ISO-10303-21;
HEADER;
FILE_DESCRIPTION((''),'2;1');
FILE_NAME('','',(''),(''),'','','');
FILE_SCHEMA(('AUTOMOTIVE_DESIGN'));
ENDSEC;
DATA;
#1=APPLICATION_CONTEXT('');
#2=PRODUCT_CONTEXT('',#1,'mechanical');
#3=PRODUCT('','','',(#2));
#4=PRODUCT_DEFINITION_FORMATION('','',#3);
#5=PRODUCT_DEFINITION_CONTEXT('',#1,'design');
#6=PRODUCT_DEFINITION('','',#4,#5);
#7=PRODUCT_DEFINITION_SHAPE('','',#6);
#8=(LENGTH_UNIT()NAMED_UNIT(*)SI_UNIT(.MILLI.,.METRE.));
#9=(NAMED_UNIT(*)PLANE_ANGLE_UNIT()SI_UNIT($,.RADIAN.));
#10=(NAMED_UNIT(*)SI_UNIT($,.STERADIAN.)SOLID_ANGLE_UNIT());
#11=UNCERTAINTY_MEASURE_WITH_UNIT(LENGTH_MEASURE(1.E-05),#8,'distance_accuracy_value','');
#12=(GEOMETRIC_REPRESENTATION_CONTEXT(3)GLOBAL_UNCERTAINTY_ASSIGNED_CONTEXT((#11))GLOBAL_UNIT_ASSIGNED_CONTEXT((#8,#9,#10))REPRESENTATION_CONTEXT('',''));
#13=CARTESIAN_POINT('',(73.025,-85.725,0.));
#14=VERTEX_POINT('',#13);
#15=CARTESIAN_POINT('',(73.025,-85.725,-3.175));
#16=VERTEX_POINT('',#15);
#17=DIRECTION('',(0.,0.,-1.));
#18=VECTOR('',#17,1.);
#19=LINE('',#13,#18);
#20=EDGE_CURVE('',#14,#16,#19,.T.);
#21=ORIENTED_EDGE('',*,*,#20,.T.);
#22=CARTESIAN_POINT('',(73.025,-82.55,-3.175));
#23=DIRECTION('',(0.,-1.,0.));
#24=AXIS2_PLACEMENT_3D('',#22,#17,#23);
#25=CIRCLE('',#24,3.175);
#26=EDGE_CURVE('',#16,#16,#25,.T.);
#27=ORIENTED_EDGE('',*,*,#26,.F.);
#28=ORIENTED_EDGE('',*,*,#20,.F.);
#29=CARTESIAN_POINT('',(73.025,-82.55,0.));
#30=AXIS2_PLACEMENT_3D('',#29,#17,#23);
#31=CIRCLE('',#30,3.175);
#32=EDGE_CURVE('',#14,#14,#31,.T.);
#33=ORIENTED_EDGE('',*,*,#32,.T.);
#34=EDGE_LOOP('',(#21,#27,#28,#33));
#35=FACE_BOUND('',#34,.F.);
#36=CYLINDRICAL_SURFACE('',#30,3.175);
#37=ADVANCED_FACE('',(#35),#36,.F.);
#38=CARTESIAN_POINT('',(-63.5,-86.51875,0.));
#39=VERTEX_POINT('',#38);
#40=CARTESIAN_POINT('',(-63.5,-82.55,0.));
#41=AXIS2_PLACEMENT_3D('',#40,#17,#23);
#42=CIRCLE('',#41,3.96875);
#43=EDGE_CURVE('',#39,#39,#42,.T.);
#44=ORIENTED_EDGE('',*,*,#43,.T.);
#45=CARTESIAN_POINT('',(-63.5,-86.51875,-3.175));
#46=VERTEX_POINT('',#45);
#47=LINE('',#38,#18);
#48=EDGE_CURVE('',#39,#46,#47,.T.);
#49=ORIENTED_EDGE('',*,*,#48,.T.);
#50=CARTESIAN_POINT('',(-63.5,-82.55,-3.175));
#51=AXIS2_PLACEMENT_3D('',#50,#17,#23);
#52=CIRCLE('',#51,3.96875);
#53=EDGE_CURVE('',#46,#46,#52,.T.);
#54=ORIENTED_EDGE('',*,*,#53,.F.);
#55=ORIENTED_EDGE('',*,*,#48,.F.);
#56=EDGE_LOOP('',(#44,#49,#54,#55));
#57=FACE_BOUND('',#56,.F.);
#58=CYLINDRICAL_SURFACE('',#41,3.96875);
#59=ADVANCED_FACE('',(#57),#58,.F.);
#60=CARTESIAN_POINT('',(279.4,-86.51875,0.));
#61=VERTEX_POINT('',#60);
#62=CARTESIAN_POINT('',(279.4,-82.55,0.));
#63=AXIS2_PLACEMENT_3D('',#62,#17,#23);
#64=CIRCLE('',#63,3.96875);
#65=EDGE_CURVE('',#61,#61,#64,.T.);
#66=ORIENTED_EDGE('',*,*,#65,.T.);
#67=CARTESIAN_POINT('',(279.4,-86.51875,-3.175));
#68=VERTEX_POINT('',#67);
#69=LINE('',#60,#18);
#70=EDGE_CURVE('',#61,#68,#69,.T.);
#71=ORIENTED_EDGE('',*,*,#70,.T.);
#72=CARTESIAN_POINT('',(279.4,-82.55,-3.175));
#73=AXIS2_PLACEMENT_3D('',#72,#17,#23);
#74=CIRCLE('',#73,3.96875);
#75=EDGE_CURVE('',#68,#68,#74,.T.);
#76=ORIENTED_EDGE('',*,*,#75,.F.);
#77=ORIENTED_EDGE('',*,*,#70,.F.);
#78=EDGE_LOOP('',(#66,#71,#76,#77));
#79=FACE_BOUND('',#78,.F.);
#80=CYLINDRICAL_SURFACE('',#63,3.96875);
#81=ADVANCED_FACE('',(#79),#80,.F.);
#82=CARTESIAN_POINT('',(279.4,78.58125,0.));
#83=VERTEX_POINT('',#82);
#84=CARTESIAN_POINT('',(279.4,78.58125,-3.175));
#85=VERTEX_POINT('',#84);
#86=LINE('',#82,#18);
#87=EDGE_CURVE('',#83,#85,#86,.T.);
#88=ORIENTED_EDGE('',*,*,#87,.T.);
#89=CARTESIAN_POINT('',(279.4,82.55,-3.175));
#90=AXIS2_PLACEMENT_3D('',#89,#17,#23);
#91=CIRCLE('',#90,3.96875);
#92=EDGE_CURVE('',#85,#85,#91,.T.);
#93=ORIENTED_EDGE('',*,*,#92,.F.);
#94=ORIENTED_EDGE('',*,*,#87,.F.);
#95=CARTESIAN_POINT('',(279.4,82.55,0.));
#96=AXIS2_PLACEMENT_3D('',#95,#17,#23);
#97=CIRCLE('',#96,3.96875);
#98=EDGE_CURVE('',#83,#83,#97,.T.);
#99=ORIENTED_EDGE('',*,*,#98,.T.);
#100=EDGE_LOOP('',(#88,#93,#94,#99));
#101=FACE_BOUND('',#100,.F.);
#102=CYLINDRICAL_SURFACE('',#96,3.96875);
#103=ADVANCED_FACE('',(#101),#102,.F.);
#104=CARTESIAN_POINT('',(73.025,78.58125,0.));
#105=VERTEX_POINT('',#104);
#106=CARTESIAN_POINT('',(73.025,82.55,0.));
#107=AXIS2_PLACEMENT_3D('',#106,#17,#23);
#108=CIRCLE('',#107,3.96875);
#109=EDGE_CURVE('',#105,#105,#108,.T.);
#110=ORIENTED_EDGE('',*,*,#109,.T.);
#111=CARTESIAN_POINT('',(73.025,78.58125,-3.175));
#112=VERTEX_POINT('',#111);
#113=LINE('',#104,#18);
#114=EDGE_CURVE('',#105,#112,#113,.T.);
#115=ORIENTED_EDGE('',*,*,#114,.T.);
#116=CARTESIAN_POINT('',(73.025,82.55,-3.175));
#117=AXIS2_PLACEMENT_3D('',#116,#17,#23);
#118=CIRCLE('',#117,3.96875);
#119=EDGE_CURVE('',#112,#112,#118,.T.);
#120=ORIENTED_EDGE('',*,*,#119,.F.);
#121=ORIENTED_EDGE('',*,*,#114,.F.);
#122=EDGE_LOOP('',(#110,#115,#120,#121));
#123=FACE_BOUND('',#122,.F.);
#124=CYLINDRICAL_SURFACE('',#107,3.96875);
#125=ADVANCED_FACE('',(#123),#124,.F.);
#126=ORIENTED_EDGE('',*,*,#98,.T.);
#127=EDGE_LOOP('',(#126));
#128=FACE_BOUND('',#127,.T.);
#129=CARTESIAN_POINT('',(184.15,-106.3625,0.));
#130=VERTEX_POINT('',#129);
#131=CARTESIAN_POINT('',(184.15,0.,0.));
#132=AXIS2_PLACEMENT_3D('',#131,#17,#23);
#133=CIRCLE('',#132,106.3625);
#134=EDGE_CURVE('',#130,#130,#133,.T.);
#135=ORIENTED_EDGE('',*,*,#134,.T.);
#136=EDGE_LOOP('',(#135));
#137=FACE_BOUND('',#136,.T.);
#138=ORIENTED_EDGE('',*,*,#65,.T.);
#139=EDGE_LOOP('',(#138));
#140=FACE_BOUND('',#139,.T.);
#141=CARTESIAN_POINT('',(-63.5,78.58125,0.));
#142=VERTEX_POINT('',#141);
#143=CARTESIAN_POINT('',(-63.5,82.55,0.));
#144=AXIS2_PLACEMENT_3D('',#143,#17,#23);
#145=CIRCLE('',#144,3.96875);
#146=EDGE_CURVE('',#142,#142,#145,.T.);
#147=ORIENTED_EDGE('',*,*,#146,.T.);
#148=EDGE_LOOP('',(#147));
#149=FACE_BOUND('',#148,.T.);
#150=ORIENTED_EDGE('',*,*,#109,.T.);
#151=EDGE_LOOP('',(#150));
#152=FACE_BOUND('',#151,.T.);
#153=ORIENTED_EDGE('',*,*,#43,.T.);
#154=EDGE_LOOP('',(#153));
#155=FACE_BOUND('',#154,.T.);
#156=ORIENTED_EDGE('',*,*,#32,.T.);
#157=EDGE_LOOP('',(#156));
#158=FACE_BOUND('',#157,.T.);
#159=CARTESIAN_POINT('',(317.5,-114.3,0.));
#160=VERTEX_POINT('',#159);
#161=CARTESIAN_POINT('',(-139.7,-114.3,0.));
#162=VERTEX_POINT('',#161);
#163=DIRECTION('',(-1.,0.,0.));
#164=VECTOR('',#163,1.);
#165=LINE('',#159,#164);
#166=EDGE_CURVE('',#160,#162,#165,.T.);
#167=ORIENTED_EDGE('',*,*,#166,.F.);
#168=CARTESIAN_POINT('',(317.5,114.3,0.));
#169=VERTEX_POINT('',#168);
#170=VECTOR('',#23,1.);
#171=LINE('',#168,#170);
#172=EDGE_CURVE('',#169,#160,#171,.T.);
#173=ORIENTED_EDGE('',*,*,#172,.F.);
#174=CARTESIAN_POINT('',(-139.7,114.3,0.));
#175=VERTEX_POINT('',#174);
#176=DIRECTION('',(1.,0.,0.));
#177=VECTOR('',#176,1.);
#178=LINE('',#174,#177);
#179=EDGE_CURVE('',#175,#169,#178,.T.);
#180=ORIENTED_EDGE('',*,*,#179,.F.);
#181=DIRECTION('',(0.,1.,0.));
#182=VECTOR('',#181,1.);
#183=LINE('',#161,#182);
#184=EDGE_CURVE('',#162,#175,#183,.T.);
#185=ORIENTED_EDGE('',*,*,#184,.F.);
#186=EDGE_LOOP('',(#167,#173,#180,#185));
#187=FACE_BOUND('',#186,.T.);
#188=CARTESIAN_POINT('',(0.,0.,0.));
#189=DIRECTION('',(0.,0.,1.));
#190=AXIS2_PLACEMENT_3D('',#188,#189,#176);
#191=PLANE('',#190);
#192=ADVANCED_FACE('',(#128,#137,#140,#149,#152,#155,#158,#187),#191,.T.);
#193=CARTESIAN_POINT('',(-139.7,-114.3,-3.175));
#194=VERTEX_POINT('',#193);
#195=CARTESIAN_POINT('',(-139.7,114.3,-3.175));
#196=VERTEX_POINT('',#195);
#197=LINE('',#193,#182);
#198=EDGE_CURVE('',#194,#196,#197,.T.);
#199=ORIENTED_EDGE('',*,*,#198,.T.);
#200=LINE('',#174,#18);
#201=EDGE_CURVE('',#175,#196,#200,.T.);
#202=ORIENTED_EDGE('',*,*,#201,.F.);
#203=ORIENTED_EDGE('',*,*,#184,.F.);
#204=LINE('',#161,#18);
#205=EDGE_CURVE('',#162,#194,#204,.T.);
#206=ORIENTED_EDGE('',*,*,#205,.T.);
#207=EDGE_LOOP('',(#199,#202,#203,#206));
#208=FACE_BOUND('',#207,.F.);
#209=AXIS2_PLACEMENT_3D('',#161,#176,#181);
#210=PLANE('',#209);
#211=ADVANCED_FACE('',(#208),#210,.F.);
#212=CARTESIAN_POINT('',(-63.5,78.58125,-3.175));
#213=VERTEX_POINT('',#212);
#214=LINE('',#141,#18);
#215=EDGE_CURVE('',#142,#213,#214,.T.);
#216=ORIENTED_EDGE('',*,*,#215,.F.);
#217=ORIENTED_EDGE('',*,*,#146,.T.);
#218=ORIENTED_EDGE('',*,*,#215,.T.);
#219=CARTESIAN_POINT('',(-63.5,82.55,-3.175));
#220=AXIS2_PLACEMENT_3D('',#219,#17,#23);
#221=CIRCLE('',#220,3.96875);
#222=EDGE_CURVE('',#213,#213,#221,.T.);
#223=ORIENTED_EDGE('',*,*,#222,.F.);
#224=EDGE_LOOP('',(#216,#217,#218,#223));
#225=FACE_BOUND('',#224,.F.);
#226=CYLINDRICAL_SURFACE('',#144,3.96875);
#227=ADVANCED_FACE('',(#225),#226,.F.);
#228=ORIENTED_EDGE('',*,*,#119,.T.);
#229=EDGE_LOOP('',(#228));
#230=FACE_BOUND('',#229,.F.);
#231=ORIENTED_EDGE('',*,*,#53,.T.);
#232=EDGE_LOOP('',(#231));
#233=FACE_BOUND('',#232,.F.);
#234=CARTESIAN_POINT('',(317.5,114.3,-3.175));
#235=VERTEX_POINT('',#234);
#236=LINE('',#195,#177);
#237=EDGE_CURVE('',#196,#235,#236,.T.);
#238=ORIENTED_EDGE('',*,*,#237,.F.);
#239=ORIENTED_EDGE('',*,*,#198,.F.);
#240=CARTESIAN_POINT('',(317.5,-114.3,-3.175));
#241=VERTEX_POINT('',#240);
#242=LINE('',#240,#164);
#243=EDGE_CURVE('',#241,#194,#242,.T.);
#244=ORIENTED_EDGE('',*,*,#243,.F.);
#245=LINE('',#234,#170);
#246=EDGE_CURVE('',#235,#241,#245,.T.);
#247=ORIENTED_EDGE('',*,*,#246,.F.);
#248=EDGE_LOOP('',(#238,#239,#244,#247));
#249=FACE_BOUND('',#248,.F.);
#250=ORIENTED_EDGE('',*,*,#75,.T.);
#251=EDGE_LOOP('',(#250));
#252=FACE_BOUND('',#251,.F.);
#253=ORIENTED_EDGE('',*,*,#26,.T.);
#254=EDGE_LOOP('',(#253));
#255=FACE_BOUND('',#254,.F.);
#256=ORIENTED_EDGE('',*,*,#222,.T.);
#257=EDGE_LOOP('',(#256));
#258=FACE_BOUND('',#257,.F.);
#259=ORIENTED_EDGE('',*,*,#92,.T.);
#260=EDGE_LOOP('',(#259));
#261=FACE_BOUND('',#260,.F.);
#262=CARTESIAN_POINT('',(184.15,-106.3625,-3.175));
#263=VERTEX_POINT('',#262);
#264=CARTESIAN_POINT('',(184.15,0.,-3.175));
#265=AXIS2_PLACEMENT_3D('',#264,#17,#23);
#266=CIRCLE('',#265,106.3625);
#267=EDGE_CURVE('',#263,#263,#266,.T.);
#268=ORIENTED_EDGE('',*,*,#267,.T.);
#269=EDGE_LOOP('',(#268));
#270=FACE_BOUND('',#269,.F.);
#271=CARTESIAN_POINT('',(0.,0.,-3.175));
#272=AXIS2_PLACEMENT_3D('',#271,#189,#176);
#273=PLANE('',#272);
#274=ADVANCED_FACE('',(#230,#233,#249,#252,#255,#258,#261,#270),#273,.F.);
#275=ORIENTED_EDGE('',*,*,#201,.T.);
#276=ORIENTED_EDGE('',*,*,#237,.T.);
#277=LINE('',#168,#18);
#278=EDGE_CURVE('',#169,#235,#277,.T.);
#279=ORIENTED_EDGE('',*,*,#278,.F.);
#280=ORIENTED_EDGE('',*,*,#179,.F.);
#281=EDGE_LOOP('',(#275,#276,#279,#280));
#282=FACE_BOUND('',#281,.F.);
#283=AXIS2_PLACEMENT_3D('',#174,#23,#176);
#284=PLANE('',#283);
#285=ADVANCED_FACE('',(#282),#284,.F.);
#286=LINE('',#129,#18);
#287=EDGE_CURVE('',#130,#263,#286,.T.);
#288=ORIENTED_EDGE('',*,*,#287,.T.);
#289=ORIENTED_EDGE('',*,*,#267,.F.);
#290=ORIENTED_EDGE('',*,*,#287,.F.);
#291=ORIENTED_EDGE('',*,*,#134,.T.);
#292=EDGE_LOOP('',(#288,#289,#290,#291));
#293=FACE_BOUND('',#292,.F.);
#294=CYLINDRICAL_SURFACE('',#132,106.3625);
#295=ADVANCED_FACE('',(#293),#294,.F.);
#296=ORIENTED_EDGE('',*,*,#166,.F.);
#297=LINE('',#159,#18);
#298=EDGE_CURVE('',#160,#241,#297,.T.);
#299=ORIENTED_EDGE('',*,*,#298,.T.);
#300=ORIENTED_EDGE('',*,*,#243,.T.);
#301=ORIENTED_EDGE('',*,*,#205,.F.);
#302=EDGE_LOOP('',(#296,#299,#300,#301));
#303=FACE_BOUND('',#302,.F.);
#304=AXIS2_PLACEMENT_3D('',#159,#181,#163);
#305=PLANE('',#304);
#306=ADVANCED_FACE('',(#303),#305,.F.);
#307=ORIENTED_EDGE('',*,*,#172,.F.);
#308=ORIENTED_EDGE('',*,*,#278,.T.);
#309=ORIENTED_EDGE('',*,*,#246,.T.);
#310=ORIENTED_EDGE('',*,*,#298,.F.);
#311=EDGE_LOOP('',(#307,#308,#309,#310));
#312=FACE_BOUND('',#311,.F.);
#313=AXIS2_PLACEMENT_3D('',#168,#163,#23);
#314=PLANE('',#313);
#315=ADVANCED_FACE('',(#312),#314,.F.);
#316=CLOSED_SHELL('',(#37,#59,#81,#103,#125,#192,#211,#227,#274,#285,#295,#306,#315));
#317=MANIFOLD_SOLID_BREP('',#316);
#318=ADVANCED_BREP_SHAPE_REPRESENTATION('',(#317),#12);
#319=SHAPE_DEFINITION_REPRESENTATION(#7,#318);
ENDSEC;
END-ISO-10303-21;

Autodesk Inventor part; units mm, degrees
ref_plane "YZ Plane" through (0, 0, 0) normal (1, 0, 0) x (0, 1, 0)
ref_plane "XZ Plane" through (0, 0, 0) normal (0, 1, 0) x (-1, 0, 0)
ref_plane "XY Plane" through (0, 0, 0) normal (0, 0, 1) x (1, 0, 0)
sketch "Sketch1" plane through (0, 0, 0) normal (0, 0, 1) x (1, 0, 0)
  line L0 (-139.7, 114.3) -> (317.5, 114.3)
  line L1 (317.5, 114.3) -> (317.5, -114.3)
  line L2 (317.5, -114.3) -> (-139.7, -114.3)
  line L3 (-139.7, -114.3) -> (-139.7, 114.3)
  point P0 (0, 0)
  dimension "d0" = 457.2
  dimension "d1" = 228.6
  dimension "d2" = 114.3
  dimension "d3" = 139.7
extrude "Extrusion1" add sketch "Sketch1" against normal blind 3.175
hole "Hole1" at (184.15, 0, 0) direction (0, 0, -1) diameter 212.725 depth 25.4 tip angle 118
hole "Hole2" at (-63.5, 82.55, 0) direction (0, 0, -1) diameter 7.9375 depth 25.4 tip angle 118
hole "Hole3" at (-63.5, -82.55, 0) direction (0, 0, -1) diameter 7.9375 depth 25.4 tip angle 118
hole "Hole4" at (73.025, 82.55, 0) direction (0, 0, -1) diameter 7.9375 depth 25.4 tip angle 118
hole "Hole5" at (73.025, -82.55, 0) direction (0, 0, -1) diameter 6.35 depth 25.4 tip angle 118
hole "Hole6" at (279.4, 82.55, 0) direction (0, 0, -1) diameter 7.9375 depth 25.4 tip angle 118
hole "Hole7" at (279.4, -82.55, 0) direction (0, 0, -1) diameter 7.9375 depth 25.4 tip angle 118
properties part number "Fore_Base"
